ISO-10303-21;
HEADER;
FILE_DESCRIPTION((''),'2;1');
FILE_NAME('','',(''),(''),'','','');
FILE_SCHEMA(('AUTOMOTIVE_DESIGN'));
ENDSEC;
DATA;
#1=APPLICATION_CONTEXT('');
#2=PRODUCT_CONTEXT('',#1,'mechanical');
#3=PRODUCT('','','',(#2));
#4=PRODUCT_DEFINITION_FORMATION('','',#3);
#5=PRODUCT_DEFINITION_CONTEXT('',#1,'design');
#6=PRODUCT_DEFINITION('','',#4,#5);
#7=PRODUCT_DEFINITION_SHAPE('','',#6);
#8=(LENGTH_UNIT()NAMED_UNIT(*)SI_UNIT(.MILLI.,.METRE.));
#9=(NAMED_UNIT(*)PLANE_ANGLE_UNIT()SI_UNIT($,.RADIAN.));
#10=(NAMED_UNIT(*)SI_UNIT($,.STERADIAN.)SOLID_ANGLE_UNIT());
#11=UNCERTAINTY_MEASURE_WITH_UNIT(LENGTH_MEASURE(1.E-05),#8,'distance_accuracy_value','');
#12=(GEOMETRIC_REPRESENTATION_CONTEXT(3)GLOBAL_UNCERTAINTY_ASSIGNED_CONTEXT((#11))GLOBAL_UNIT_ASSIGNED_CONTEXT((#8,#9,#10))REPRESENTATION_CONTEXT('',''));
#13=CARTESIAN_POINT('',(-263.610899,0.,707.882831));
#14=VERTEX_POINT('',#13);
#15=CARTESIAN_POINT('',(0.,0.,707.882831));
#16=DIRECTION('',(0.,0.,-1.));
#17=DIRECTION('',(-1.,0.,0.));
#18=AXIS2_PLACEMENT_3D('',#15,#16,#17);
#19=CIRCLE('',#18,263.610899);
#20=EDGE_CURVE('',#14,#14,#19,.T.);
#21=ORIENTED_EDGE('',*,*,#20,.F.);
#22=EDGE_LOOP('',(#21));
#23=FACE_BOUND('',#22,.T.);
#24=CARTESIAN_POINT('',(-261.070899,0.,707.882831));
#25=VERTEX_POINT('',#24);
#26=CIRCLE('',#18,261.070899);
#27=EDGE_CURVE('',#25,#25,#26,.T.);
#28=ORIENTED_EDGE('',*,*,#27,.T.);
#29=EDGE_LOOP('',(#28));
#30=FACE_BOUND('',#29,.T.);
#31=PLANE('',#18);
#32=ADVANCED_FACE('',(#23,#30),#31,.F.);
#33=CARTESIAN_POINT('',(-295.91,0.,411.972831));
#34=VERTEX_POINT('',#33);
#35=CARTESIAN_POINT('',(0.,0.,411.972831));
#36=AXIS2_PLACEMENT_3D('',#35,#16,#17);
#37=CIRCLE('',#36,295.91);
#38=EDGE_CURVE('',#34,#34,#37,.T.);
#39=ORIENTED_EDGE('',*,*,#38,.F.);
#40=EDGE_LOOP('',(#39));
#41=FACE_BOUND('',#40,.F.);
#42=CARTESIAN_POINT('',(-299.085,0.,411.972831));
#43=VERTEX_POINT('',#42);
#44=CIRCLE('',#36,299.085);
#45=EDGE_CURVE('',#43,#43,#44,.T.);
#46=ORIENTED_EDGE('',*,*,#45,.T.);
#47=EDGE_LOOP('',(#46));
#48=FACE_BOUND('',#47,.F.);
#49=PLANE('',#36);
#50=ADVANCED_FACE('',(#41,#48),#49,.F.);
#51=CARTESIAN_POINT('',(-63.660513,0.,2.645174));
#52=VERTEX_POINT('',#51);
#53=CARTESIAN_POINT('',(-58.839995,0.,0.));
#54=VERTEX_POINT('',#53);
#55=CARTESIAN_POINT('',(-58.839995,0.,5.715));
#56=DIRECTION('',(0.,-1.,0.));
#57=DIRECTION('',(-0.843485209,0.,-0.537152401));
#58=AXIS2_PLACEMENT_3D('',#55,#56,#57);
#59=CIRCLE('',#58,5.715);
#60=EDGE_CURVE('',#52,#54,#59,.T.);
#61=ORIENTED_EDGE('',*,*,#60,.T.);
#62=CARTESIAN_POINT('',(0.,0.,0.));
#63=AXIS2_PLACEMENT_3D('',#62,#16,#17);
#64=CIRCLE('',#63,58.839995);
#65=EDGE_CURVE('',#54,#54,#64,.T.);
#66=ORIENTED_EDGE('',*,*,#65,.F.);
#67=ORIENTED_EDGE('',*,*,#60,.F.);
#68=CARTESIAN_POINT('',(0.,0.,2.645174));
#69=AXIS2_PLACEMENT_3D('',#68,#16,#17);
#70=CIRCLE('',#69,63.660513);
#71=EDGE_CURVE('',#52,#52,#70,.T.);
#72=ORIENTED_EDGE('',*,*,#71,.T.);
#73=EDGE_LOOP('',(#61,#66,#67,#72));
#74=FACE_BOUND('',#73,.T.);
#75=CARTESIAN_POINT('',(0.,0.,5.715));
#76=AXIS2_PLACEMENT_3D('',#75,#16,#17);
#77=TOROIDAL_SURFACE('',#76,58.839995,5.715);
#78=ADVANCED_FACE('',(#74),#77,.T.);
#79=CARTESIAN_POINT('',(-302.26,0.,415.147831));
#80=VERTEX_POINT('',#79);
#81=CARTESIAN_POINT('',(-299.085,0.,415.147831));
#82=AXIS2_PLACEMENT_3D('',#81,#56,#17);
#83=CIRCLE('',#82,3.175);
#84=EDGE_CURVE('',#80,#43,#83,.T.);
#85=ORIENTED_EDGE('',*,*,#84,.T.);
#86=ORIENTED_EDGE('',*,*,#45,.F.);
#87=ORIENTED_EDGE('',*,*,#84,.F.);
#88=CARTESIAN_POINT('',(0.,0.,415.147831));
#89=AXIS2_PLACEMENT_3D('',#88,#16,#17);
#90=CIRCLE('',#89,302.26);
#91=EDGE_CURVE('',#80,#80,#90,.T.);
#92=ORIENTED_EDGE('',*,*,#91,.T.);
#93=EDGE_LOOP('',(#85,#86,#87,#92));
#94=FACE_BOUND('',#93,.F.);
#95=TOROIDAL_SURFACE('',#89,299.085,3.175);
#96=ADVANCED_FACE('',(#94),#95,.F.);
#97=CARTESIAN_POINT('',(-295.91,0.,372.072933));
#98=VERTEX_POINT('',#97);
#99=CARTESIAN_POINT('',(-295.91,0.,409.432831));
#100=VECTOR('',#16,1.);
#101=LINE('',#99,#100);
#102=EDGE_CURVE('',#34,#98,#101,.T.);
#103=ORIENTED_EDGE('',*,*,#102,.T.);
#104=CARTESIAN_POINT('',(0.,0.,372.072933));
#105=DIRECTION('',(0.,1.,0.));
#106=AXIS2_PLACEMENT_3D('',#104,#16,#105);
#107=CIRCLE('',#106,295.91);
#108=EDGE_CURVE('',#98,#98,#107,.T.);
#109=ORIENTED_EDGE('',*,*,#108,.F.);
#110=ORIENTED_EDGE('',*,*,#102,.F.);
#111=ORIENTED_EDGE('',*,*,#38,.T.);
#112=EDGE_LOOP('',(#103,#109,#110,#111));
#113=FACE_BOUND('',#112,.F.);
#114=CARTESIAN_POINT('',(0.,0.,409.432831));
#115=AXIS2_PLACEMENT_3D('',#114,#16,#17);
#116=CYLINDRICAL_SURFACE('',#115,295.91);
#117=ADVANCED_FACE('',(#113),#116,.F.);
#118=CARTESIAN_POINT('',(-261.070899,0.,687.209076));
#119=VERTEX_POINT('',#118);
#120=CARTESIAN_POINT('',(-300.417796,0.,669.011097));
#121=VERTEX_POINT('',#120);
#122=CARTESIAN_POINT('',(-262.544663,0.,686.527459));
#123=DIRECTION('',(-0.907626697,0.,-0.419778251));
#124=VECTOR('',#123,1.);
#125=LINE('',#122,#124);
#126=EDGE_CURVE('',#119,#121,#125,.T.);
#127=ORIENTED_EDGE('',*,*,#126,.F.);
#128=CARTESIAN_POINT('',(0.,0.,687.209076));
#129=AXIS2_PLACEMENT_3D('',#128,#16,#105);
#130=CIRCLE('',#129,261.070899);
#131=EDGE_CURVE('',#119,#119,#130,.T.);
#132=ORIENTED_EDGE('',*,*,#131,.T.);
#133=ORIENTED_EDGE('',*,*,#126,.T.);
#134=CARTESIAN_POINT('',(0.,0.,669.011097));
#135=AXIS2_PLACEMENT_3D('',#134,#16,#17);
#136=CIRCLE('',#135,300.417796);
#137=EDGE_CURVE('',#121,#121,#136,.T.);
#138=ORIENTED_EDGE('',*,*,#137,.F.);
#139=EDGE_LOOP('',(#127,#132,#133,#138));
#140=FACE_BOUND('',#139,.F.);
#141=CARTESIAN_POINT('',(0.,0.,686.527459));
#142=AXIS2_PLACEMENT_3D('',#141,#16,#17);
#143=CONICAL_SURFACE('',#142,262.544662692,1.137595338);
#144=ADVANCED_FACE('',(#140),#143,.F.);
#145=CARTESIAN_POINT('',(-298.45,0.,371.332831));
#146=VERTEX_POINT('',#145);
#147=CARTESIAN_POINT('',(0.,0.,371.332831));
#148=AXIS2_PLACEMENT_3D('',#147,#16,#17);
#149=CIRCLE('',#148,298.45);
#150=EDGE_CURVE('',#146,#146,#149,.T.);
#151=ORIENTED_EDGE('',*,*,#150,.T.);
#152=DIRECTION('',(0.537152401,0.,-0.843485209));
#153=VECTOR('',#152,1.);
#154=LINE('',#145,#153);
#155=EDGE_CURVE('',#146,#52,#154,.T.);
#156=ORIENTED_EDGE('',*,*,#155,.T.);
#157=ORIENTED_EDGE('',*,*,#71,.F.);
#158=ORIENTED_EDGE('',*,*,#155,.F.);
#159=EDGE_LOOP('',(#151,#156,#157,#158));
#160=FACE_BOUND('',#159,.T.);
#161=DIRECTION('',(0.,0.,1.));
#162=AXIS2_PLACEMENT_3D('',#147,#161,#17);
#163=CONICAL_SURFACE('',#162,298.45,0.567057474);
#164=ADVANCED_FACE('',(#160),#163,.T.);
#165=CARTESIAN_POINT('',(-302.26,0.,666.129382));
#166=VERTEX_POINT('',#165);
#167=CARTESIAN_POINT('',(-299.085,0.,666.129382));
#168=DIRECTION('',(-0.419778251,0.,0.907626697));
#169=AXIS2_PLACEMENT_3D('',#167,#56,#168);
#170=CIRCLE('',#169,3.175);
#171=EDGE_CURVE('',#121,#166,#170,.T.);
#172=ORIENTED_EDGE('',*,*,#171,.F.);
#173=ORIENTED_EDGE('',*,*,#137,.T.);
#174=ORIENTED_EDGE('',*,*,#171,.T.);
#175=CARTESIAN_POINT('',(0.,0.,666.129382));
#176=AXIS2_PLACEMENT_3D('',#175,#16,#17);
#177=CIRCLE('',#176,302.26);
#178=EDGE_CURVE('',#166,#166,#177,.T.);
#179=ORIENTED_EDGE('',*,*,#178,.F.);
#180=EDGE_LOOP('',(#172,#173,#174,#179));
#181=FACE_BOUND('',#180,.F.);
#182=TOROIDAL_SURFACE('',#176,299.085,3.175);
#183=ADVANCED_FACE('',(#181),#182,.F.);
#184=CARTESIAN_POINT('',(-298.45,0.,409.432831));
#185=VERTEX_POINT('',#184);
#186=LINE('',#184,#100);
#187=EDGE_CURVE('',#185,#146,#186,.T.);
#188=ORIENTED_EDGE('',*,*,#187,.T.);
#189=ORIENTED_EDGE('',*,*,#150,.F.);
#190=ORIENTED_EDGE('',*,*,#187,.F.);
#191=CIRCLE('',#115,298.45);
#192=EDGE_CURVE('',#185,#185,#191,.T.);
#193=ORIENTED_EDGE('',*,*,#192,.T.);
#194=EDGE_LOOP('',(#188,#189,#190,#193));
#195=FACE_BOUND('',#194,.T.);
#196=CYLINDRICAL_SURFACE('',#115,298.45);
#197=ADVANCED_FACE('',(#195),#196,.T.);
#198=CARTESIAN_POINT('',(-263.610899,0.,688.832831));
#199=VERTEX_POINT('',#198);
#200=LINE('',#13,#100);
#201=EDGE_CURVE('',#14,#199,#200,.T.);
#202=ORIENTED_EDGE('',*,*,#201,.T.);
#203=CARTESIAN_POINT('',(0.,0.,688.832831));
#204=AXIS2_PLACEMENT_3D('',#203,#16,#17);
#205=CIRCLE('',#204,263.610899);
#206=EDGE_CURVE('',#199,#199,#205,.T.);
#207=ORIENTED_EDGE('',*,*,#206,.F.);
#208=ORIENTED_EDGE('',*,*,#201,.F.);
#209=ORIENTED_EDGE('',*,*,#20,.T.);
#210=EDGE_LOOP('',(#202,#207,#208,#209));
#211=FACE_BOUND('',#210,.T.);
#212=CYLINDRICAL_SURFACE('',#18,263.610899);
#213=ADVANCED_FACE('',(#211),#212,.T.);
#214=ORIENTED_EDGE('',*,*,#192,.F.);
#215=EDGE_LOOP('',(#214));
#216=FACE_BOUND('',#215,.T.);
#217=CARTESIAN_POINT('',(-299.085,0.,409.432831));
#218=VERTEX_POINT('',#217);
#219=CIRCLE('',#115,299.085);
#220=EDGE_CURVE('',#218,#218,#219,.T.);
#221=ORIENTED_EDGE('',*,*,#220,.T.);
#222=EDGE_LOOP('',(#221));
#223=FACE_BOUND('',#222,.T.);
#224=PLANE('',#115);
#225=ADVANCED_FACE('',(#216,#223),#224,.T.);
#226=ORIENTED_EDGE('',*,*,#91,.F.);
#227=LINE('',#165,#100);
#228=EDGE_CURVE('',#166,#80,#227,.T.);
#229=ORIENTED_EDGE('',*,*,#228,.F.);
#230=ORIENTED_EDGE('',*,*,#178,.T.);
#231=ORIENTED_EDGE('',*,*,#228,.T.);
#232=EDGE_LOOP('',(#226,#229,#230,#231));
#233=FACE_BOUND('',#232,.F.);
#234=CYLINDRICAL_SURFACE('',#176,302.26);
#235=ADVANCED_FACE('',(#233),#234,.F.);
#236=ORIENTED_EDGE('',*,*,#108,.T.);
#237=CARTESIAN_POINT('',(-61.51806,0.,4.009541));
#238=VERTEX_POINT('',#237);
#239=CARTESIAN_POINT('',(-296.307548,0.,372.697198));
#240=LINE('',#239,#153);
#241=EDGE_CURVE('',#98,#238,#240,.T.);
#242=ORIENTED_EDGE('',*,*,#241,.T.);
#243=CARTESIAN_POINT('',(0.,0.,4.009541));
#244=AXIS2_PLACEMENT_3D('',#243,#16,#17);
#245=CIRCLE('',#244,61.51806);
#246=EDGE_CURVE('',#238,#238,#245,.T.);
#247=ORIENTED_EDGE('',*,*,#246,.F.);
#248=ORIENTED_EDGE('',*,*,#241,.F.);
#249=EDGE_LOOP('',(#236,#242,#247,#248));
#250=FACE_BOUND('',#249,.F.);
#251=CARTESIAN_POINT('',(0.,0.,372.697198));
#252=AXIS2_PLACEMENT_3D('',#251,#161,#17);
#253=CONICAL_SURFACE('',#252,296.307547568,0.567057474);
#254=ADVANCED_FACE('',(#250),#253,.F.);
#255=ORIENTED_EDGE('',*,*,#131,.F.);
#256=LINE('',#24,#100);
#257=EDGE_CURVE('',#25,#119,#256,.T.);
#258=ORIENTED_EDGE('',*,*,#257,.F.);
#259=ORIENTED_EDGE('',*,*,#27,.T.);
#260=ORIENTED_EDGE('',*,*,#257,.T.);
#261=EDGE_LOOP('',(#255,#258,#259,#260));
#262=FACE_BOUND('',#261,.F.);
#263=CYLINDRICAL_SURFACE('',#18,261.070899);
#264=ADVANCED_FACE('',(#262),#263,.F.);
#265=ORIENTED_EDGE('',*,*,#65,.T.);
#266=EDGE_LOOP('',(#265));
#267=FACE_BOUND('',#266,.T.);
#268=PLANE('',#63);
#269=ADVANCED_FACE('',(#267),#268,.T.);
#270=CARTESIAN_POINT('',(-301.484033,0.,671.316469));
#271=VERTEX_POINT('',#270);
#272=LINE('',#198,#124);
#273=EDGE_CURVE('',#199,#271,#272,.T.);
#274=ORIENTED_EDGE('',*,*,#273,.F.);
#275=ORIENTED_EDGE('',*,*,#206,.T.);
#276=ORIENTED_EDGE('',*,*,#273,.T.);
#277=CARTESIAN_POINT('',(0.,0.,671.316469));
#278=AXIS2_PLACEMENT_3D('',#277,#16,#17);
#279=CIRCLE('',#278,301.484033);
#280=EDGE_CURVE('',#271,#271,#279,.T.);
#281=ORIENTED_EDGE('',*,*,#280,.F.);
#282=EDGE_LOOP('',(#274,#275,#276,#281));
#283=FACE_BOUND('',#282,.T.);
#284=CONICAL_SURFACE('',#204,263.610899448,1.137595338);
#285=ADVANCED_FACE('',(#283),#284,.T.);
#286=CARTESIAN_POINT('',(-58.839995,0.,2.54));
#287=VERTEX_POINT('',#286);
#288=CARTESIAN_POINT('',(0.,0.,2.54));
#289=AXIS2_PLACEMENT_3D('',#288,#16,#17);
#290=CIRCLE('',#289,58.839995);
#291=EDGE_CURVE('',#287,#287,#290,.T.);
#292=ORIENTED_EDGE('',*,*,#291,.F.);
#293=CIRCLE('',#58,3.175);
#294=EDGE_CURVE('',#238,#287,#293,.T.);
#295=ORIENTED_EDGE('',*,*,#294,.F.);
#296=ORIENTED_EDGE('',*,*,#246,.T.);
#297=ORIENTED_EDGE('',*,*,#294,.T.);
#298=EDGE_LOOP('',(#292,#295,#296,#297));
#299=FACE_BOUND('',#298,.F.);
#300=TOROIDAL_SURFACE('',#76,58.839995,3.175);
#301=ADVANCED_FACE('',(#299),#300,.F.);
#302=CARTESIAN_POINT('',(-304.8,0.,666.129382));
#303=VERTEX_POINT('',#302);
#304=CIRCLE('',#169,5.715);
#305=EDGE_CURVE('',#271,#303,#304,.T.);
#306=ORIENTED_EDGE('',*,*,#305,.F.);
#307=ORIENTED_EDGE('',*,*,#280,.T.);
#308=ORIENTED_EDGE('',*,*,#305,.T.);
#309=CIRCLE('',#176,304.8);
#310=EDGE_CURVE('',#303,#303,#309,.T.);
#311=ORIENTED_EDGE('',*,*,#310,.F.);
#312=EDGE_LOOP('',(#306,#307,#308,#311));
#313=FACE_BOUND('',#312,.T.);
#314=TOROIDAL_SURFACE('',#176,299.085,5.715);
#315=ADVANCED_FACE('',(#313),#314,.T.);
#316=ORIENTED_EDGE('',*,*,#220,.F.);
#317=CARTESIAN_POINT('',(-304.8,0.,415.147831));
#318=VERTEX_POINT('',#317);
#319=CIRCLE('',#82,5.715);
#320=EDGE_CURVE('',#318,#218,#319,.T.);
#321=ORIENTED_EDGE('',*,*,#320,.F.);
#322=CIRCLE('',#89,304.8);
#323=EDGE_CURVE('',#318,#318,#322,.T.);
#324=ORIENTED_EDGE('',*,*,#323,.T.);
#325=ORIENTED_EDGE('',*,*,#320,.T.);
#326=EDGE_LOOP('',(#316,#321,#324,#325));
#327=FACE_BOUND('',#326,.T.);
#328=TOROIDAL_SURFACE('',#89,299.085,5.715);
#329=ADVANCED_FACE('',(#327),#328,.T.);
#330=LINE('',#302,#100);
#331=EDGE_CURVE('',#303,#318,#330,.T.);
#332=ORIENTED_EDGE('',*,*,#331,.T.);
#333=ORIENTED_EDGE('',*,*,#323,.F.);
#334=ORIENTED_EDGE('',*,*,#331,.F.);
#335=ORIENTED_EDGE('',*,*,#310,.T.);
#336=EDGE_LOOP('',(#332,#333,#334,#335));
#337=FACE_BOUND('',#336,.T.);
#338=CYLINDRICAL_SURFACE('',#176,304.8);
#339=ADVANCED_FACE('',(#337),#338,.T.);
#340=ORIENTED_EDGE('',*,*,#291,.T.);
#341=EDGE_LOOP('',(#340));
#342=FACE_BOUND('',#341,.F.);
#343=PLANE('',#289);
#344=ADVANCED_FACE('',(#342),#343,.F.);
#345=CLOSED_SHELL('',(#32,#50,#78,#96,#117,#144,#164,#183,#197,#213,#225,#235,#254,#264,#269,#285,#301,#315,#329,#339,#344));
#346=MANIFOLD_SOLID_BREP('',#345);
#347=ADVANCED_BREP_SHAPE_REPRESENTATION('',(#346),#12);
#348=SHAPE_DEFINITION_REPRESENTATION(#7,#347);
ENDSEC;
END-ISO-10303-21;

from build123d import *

# Parameters (mm, degrees)
F2_T = -2.54


with BuildPart() as f1:
    # F0 (on Front) → F1 (revolve)
    with BuildSketch(Plane.XZ):
        with BuildLine():
            Line((-58.8399947671, 0), (0, 0))
            Line((0, 0), (0, 249.4612043489))
            Line((0, 249.4612043489), (0, 707.8828306801))
            Line((0, 707.8828306801), (-263.6108994484, 707.8828306801))
            Line((-263.6108994484, 707.8828306801), (-263.6108994484, 688.8328306801))
            Line((-263.6108994484, 688.8328306801), (-301.4840327018, 671.3164688559))
            ThreePointArc((-301.4840327018, 671.3164688559), (-303.9001685791, 669.2075922443), (-304.8, 666.1293822848))
            Line((-304.8, 666.1293822848), (-304.8, 415.1478306801))
            ThreePointArc((-304.8, 415.1478306801), (-303.1261152545, 411.1067154256), (-299.085, 409.4328306801))
            Line((-299.085, 409.4328306801), (-298.45, 409.4328306801))
            Line((-298.45, 409.4328306801), (-298.45, 371.3328306801))
            Line((-298.45, 371.3328306801), (-63.6605127391, 2.6451740306))
            ThreePointArc((-63.6605127391, 2.6451740306), (-61.5892828191, 0.7047464927), (-58.8399947671, 0))
        make_face()
    revolve(axis=Axis((0, 0, 478.6720175145), (0, 0, -1)))

    # F2
    f2_openings = [f1.faces().sort_by_distance(p)[0] for p in [
        (0, 0, 707.882831),
    ]]
    offset(amount=F2_T, openings=f2_openings, kind=Kind.INTERSECTION)


solid = f1.part
